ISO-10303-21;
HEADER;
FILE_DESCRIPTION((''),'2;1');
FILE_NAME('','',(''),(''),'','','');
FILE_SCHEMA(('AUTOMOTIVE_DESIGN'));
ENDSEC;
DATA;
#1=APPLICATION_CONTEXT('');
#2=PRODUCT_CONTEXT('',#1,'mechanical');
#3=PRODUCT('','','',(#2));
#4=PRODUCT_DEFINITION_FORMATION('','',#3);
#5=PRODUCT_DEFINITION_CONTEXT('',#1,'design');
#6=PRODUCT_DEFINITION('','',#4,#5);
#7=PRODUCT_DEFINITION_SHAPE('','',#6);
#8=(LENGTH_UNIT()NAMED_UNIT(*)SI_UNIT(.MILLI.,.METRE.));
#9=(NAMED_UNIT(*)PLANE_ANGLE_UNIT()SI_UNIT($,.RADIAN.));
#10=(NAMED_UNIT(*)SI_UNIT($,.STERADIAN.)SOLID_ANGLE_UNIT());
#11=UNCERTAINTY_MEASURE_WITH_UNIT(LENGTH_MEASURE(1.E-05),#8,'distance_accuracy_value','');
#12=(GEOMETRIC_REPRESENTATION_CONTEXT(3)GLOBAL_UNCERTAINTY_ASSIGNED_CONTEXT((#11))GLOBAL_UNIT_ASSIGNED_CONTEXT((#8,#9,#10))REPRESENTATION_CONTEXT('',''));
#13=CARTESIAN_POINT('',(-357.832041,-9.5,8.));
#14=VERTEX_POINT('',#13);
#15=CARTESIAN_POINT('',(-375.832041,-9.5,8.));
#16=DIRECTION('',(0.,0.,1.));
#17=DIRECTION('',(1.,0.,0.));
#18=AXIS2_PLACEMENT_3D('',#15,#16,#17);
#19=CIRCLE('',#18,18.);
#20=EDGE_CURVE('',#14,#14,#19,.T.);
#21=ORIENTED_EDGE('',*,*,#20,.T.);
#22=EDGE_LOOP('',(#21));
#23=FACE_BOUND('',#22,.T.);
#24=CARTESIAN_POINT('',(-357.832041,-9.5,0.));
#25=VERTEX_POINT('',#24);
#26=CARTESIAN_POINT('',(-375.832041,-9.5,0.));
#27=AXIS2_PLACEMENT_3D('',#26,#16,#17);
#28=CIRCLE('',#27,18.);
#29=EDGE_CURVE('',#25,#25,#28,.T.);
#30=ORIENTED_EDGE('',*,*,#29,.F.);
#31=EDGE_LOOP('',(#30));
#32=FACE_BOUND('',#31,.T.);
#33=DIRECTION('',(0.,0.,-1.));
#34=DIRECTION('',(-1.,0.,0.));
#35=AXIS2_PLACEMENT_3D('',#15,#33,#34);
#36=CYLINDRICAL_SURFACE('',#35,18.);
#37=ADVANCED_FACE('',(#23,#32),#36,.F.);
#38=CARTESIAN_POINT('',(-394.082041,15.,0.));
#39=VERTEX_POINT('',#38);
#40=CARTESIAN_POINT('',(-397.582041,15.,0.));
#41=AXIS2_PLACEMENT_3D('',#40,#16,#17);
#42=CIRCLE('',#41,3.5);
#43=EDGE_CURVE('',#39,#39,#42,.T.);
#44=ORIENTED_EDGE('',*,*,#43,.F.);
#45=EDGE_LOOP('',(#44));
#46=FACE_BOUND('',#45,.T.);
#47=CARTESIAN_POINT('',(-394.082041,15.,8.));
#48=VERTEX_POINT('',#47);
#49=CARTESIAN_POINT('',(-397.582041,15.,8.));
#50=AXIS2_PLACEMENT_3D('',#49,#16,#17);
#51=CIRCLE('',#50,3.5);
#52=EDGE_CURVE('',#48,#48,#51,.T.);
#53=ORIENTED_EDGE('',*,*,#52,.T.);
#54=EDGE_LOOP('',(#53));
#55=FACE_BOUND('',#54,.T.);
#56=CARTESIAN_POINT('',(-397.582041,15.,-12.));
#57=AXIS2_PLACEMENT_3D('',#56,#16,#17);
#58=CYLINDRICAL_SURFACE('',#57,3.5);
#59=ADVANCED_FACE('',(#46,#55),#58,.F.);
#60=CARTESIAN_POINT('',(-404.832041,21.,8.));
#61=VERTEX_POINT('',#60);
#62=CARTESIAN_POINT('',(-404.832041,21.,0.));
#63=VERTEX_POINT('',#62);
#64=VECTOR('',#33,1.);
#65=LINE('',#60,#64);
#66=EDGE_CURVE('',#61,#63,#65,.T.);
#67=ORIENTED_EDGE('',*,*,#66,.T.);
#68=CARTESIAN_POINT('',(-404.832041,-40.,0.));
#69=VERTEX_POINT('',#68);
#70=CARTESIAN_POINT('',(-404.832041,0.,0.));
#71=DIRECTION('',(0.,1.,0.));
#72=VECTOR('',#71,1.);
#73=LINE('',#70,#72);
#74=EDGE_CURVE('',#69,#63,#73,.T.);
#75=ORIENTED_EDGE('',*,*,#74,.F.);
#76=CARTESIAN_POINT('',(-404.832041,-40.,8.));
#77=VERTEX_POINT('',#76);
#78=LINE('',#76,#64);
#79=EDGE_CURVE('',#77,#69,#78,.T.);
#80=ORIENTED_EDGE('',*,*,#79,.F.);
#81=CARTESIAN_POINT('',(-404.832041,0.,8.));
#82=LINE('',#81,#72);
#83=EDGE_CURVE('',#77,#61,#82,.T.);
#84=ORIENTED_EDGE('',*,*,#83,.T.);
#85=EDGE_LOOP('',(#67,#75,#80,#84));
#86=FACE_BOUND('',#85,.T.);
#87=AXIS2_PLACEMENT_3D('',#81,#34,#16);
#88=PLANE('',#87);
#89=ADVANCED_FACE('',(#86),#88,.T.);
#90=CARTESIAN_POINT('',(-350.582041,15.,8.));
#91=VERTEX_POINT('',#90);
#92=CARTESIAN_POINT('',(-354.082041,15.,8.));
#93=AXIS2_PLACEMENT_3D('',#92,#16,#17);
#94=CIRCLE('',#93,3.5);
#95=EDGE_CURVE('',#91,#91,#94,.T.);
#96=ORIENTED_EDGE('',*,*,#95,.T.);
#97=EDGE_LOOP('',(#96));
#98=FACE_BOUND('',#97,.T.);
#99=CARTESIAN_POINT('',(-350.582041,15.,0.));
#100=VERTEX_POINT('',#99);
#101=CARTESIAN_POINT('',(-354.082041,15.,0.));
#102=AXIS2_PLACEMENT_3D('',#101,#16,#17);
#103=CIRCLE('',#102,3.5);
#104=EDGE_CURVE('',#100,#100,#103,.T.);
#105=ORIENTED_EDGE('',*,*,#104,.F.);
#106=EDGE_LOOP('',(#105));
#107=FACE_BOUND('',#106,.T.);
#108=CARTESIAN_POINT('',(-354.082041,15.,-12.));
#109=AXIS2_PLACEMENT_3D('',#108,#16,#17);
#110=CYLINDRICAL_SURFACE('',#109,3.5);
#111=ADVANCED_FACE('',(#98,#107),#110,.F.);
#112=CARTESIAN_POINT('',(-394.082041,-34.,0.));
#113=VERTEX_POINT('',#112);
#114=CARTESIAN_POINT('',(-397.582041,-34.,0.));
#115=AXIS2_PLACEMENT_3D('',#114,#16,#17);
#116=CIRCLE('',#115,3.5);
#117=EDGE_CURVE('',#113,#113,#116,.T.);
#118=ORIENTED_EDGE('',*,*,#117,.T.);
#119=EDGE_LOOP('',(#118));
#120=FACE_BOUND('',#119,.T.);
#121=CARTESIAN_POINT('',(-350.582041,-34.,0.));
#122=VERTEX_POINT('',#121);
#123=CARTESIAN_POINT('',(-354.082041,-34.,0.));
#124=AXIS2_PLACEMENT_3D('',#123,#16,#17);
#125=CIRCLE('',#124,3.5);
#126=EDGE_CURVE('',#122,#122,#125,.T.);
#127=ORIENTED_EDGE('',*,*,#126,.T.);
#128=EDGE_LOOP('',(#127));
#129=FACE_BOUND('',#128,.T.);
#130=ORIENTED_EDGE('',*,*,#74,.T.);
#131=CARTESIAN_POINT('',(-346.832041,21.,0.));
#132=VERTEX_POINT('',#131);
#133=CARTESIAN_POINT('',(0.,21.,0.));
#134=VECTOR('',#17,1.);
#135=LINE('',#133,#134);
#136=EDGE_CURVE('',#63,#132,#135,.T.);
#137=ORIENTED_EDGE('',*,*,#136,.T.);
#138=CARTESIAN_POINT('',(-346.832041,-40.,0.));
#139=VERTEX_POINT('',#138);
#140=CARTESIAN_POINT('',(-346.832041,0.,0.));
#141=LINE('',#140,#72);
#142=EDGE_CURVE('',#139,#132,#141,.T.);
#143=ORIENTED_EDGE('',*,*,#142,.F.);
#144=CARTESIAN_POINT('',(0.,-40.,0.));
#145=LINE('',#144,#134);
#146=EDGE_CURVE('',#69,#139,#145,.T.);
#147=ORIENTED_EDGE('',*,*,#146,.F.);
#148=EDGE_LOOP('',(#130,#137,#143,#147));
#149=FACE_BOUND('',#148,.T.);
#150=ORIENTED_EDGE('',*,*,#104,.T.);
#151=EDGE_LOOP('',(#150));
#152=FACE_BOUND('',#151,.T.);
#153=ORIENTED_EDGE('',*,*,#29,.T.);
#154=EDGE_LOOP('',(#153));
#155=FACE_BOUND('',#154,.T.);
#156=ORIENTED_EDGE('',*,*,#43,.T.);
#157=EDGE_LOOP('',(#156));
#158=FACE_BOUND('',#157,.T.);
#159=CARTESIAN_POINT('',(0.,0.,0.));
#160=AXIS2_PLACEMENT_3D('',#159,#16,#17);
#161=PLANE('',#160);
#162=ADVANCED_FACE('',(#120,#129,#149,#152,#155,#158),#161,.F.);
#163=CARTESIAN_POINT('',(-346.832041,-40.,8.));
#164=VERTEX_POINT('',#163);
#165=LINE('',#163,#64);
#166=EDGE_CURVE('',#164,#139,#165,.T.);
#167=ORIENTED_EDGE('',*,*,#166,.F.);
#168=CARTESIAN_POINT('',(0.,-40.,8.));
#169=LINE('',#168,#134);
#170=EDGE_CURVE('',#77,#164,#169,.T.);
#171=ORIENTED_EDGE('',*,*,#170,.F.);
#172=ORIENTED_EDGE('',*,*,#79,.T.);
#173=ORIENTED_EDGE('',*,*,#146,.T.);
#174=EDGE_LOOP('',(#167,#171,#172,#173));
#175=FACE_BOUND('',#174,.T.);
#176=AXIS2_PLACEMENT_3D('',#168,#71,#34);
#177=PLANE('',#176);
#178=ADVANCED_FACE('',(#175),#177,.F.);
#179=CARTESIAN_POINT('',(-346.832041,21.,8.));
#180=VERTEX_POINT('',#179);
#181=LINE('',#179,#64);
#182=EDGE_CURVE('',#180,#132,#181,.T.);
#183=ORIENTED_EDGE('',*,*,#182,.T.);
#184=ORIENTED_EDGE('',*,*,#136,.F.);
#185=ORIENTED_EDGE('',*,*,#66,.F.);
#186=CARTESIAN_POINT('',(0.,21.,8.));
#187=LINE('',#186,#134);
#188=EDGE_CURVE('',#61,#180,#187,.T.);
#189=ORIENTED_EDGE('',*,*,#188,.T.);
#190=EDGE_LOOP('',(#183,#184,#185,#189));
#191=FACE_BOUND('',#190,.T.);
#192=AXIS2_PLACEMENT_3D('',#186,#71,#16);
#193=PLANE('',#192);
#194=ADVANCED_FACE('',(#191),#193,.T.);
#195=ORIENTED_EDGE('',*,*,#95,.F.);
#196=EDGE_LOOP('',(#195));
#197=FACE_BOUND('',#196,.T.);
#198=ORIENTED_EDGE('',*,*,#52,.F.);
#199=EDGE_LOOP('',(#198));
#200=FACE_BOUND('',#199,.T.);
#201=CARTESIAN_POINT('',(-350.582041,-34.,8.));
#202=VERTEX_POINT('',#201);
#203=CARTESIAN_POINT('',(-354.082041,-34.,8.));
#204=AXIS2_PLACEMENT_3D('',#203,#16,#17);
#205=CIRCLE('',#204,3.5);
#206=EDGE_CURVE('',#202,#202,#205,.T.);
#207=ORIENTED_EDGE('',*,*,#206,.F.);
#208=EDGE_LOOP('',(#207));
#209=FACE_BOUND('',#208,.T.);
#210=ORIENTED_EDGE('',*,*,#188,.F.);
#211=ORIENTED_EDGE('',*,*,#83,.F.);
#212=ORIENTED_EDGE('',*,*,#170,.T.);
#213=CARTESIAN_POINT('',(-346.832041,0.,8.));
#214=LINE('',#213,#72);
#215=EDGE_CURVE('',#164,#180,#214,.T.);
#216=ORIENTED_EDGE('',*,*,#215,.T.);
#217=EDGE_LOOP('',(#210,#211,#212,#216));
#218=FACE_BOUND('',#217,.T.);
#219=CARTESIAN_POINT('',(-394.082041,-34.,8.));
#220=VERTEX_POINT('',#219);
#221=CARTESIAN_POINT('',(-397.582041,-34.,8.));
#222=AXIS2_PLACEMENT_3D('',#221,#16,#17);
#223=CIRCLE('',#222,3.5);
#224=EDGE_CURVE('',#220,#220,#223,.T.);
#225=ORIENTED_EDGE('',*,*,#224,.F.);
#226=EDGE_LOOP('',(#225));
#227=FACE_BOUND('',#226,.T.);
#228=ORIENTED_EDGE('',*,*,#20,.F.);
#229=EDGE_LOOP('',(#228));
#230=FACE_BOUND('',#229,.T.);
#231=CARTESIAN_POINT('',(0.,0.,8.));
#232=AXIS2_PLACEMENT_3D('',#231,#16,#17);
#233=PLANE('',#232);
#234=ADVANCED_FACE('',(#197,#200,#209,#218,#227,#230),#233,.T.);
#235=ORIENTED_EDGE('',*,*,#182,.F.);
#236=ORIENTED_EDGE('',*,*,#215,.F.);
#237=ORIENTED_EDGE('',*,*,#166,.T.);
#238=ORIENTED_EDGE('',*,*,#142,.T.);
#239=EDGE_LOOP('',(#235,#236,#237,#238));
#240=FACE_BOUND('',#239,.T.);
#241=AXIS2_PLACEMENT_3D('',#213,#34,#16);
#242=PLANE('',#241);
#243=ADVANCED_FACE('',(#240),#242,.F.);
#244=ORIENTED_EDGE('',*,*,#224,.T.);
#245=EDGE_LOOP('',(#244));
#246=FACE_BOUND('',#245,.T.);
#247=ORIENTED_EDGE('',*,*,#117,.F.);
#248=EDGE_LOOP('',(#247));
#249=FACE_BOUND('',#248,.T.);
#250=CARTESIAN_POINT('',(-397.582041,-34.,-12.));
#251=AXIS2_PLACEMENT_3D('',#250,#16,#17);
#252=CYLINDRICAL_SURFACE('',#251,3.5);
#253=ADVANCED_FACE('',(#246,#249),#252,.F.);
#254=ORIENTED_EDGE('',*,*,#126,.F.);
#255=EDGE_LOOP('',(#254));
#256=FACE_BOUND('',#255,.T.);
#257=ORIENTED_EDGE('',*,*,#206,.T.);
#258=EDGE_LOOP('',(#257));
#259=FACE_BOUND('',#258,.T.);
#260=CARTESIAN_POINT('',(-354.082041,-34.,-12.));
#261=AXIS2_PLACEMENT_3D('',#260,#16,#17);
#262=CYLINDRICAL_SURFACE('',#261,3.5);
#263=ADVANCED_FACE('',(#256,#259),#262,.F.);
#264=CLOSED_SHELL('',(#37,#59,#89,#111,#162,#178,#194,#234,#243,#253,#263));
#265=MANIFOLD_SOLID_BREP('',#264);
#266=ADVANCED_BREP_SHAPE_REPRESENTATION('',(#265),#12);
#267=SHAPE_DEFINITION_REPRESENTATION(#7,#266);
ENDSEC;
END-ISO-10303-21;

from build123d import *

# Parameters (mm, degrees)
SKETCH1_W           = 58
SKETCH1_H           = 61
SKETCH1_R           = 18
BOSS_EXTRUDE1_DEPTH = 8
SKETCH26_R          = 12.25
SKETCH26_R_2        = 3.500000003
SKETCH26_R_3        = 2.7
CUT_EXTRUDE25_DEPTH = 80


with BuildPart() as part:
    # Sketch1 → Boss-Extrude1 (new body)
    with BuildSketch(Plane.XY):
        with Locations((-375.83204095, -9.5)):
            Rectangle(SKETCH1_W, SKETCH1_H)
        with Locations((-375.83204095, -9.5)):
            Circle(SKETCH1_R, mode=Mode.SUBTRACT)
    extrude(amount=BOSS_EXTRUDE1_DEPTH)

    # Sketch26 → Cut-Extrude25 (cut)
    with BuildSketch(Plane(origin=(-392.722155748, 41.581437247, 68), x_dir=(-1, 0, 0), z_dir=(0, 0, 1))):
        with Locations((-16.890114798, 51.081437247)):
            Circle(SKETCH26_R)
        with Locations(Location((-38.640114797, 75.581437247, 0), (0, 0, 180))):
            Circle(SKETCH26_R_2)
        with Locations(Location((4.859885202, 75.581437247, 0), (0, 0, 180))):
            Circle(SKETCH26_R_2)
        with Locations(Location((-38.640114797, 26.581437247, 0), (0, 0, 180))):
            Circle(SKETCH26_R_2)
        with Locations(Location((4.859885202, 26.581437247, 0), (0, 0, 180))):
            Circle(SKETCH26_R_2)
        with Locations((-16.890114798, 16.121848563)):
            Circle(SKETCH26_R_3)
    extrude(amount=-CUT_EXTRUDE25_DEPTH, mode=Mode.SUBTRACT)


solid = part.part
